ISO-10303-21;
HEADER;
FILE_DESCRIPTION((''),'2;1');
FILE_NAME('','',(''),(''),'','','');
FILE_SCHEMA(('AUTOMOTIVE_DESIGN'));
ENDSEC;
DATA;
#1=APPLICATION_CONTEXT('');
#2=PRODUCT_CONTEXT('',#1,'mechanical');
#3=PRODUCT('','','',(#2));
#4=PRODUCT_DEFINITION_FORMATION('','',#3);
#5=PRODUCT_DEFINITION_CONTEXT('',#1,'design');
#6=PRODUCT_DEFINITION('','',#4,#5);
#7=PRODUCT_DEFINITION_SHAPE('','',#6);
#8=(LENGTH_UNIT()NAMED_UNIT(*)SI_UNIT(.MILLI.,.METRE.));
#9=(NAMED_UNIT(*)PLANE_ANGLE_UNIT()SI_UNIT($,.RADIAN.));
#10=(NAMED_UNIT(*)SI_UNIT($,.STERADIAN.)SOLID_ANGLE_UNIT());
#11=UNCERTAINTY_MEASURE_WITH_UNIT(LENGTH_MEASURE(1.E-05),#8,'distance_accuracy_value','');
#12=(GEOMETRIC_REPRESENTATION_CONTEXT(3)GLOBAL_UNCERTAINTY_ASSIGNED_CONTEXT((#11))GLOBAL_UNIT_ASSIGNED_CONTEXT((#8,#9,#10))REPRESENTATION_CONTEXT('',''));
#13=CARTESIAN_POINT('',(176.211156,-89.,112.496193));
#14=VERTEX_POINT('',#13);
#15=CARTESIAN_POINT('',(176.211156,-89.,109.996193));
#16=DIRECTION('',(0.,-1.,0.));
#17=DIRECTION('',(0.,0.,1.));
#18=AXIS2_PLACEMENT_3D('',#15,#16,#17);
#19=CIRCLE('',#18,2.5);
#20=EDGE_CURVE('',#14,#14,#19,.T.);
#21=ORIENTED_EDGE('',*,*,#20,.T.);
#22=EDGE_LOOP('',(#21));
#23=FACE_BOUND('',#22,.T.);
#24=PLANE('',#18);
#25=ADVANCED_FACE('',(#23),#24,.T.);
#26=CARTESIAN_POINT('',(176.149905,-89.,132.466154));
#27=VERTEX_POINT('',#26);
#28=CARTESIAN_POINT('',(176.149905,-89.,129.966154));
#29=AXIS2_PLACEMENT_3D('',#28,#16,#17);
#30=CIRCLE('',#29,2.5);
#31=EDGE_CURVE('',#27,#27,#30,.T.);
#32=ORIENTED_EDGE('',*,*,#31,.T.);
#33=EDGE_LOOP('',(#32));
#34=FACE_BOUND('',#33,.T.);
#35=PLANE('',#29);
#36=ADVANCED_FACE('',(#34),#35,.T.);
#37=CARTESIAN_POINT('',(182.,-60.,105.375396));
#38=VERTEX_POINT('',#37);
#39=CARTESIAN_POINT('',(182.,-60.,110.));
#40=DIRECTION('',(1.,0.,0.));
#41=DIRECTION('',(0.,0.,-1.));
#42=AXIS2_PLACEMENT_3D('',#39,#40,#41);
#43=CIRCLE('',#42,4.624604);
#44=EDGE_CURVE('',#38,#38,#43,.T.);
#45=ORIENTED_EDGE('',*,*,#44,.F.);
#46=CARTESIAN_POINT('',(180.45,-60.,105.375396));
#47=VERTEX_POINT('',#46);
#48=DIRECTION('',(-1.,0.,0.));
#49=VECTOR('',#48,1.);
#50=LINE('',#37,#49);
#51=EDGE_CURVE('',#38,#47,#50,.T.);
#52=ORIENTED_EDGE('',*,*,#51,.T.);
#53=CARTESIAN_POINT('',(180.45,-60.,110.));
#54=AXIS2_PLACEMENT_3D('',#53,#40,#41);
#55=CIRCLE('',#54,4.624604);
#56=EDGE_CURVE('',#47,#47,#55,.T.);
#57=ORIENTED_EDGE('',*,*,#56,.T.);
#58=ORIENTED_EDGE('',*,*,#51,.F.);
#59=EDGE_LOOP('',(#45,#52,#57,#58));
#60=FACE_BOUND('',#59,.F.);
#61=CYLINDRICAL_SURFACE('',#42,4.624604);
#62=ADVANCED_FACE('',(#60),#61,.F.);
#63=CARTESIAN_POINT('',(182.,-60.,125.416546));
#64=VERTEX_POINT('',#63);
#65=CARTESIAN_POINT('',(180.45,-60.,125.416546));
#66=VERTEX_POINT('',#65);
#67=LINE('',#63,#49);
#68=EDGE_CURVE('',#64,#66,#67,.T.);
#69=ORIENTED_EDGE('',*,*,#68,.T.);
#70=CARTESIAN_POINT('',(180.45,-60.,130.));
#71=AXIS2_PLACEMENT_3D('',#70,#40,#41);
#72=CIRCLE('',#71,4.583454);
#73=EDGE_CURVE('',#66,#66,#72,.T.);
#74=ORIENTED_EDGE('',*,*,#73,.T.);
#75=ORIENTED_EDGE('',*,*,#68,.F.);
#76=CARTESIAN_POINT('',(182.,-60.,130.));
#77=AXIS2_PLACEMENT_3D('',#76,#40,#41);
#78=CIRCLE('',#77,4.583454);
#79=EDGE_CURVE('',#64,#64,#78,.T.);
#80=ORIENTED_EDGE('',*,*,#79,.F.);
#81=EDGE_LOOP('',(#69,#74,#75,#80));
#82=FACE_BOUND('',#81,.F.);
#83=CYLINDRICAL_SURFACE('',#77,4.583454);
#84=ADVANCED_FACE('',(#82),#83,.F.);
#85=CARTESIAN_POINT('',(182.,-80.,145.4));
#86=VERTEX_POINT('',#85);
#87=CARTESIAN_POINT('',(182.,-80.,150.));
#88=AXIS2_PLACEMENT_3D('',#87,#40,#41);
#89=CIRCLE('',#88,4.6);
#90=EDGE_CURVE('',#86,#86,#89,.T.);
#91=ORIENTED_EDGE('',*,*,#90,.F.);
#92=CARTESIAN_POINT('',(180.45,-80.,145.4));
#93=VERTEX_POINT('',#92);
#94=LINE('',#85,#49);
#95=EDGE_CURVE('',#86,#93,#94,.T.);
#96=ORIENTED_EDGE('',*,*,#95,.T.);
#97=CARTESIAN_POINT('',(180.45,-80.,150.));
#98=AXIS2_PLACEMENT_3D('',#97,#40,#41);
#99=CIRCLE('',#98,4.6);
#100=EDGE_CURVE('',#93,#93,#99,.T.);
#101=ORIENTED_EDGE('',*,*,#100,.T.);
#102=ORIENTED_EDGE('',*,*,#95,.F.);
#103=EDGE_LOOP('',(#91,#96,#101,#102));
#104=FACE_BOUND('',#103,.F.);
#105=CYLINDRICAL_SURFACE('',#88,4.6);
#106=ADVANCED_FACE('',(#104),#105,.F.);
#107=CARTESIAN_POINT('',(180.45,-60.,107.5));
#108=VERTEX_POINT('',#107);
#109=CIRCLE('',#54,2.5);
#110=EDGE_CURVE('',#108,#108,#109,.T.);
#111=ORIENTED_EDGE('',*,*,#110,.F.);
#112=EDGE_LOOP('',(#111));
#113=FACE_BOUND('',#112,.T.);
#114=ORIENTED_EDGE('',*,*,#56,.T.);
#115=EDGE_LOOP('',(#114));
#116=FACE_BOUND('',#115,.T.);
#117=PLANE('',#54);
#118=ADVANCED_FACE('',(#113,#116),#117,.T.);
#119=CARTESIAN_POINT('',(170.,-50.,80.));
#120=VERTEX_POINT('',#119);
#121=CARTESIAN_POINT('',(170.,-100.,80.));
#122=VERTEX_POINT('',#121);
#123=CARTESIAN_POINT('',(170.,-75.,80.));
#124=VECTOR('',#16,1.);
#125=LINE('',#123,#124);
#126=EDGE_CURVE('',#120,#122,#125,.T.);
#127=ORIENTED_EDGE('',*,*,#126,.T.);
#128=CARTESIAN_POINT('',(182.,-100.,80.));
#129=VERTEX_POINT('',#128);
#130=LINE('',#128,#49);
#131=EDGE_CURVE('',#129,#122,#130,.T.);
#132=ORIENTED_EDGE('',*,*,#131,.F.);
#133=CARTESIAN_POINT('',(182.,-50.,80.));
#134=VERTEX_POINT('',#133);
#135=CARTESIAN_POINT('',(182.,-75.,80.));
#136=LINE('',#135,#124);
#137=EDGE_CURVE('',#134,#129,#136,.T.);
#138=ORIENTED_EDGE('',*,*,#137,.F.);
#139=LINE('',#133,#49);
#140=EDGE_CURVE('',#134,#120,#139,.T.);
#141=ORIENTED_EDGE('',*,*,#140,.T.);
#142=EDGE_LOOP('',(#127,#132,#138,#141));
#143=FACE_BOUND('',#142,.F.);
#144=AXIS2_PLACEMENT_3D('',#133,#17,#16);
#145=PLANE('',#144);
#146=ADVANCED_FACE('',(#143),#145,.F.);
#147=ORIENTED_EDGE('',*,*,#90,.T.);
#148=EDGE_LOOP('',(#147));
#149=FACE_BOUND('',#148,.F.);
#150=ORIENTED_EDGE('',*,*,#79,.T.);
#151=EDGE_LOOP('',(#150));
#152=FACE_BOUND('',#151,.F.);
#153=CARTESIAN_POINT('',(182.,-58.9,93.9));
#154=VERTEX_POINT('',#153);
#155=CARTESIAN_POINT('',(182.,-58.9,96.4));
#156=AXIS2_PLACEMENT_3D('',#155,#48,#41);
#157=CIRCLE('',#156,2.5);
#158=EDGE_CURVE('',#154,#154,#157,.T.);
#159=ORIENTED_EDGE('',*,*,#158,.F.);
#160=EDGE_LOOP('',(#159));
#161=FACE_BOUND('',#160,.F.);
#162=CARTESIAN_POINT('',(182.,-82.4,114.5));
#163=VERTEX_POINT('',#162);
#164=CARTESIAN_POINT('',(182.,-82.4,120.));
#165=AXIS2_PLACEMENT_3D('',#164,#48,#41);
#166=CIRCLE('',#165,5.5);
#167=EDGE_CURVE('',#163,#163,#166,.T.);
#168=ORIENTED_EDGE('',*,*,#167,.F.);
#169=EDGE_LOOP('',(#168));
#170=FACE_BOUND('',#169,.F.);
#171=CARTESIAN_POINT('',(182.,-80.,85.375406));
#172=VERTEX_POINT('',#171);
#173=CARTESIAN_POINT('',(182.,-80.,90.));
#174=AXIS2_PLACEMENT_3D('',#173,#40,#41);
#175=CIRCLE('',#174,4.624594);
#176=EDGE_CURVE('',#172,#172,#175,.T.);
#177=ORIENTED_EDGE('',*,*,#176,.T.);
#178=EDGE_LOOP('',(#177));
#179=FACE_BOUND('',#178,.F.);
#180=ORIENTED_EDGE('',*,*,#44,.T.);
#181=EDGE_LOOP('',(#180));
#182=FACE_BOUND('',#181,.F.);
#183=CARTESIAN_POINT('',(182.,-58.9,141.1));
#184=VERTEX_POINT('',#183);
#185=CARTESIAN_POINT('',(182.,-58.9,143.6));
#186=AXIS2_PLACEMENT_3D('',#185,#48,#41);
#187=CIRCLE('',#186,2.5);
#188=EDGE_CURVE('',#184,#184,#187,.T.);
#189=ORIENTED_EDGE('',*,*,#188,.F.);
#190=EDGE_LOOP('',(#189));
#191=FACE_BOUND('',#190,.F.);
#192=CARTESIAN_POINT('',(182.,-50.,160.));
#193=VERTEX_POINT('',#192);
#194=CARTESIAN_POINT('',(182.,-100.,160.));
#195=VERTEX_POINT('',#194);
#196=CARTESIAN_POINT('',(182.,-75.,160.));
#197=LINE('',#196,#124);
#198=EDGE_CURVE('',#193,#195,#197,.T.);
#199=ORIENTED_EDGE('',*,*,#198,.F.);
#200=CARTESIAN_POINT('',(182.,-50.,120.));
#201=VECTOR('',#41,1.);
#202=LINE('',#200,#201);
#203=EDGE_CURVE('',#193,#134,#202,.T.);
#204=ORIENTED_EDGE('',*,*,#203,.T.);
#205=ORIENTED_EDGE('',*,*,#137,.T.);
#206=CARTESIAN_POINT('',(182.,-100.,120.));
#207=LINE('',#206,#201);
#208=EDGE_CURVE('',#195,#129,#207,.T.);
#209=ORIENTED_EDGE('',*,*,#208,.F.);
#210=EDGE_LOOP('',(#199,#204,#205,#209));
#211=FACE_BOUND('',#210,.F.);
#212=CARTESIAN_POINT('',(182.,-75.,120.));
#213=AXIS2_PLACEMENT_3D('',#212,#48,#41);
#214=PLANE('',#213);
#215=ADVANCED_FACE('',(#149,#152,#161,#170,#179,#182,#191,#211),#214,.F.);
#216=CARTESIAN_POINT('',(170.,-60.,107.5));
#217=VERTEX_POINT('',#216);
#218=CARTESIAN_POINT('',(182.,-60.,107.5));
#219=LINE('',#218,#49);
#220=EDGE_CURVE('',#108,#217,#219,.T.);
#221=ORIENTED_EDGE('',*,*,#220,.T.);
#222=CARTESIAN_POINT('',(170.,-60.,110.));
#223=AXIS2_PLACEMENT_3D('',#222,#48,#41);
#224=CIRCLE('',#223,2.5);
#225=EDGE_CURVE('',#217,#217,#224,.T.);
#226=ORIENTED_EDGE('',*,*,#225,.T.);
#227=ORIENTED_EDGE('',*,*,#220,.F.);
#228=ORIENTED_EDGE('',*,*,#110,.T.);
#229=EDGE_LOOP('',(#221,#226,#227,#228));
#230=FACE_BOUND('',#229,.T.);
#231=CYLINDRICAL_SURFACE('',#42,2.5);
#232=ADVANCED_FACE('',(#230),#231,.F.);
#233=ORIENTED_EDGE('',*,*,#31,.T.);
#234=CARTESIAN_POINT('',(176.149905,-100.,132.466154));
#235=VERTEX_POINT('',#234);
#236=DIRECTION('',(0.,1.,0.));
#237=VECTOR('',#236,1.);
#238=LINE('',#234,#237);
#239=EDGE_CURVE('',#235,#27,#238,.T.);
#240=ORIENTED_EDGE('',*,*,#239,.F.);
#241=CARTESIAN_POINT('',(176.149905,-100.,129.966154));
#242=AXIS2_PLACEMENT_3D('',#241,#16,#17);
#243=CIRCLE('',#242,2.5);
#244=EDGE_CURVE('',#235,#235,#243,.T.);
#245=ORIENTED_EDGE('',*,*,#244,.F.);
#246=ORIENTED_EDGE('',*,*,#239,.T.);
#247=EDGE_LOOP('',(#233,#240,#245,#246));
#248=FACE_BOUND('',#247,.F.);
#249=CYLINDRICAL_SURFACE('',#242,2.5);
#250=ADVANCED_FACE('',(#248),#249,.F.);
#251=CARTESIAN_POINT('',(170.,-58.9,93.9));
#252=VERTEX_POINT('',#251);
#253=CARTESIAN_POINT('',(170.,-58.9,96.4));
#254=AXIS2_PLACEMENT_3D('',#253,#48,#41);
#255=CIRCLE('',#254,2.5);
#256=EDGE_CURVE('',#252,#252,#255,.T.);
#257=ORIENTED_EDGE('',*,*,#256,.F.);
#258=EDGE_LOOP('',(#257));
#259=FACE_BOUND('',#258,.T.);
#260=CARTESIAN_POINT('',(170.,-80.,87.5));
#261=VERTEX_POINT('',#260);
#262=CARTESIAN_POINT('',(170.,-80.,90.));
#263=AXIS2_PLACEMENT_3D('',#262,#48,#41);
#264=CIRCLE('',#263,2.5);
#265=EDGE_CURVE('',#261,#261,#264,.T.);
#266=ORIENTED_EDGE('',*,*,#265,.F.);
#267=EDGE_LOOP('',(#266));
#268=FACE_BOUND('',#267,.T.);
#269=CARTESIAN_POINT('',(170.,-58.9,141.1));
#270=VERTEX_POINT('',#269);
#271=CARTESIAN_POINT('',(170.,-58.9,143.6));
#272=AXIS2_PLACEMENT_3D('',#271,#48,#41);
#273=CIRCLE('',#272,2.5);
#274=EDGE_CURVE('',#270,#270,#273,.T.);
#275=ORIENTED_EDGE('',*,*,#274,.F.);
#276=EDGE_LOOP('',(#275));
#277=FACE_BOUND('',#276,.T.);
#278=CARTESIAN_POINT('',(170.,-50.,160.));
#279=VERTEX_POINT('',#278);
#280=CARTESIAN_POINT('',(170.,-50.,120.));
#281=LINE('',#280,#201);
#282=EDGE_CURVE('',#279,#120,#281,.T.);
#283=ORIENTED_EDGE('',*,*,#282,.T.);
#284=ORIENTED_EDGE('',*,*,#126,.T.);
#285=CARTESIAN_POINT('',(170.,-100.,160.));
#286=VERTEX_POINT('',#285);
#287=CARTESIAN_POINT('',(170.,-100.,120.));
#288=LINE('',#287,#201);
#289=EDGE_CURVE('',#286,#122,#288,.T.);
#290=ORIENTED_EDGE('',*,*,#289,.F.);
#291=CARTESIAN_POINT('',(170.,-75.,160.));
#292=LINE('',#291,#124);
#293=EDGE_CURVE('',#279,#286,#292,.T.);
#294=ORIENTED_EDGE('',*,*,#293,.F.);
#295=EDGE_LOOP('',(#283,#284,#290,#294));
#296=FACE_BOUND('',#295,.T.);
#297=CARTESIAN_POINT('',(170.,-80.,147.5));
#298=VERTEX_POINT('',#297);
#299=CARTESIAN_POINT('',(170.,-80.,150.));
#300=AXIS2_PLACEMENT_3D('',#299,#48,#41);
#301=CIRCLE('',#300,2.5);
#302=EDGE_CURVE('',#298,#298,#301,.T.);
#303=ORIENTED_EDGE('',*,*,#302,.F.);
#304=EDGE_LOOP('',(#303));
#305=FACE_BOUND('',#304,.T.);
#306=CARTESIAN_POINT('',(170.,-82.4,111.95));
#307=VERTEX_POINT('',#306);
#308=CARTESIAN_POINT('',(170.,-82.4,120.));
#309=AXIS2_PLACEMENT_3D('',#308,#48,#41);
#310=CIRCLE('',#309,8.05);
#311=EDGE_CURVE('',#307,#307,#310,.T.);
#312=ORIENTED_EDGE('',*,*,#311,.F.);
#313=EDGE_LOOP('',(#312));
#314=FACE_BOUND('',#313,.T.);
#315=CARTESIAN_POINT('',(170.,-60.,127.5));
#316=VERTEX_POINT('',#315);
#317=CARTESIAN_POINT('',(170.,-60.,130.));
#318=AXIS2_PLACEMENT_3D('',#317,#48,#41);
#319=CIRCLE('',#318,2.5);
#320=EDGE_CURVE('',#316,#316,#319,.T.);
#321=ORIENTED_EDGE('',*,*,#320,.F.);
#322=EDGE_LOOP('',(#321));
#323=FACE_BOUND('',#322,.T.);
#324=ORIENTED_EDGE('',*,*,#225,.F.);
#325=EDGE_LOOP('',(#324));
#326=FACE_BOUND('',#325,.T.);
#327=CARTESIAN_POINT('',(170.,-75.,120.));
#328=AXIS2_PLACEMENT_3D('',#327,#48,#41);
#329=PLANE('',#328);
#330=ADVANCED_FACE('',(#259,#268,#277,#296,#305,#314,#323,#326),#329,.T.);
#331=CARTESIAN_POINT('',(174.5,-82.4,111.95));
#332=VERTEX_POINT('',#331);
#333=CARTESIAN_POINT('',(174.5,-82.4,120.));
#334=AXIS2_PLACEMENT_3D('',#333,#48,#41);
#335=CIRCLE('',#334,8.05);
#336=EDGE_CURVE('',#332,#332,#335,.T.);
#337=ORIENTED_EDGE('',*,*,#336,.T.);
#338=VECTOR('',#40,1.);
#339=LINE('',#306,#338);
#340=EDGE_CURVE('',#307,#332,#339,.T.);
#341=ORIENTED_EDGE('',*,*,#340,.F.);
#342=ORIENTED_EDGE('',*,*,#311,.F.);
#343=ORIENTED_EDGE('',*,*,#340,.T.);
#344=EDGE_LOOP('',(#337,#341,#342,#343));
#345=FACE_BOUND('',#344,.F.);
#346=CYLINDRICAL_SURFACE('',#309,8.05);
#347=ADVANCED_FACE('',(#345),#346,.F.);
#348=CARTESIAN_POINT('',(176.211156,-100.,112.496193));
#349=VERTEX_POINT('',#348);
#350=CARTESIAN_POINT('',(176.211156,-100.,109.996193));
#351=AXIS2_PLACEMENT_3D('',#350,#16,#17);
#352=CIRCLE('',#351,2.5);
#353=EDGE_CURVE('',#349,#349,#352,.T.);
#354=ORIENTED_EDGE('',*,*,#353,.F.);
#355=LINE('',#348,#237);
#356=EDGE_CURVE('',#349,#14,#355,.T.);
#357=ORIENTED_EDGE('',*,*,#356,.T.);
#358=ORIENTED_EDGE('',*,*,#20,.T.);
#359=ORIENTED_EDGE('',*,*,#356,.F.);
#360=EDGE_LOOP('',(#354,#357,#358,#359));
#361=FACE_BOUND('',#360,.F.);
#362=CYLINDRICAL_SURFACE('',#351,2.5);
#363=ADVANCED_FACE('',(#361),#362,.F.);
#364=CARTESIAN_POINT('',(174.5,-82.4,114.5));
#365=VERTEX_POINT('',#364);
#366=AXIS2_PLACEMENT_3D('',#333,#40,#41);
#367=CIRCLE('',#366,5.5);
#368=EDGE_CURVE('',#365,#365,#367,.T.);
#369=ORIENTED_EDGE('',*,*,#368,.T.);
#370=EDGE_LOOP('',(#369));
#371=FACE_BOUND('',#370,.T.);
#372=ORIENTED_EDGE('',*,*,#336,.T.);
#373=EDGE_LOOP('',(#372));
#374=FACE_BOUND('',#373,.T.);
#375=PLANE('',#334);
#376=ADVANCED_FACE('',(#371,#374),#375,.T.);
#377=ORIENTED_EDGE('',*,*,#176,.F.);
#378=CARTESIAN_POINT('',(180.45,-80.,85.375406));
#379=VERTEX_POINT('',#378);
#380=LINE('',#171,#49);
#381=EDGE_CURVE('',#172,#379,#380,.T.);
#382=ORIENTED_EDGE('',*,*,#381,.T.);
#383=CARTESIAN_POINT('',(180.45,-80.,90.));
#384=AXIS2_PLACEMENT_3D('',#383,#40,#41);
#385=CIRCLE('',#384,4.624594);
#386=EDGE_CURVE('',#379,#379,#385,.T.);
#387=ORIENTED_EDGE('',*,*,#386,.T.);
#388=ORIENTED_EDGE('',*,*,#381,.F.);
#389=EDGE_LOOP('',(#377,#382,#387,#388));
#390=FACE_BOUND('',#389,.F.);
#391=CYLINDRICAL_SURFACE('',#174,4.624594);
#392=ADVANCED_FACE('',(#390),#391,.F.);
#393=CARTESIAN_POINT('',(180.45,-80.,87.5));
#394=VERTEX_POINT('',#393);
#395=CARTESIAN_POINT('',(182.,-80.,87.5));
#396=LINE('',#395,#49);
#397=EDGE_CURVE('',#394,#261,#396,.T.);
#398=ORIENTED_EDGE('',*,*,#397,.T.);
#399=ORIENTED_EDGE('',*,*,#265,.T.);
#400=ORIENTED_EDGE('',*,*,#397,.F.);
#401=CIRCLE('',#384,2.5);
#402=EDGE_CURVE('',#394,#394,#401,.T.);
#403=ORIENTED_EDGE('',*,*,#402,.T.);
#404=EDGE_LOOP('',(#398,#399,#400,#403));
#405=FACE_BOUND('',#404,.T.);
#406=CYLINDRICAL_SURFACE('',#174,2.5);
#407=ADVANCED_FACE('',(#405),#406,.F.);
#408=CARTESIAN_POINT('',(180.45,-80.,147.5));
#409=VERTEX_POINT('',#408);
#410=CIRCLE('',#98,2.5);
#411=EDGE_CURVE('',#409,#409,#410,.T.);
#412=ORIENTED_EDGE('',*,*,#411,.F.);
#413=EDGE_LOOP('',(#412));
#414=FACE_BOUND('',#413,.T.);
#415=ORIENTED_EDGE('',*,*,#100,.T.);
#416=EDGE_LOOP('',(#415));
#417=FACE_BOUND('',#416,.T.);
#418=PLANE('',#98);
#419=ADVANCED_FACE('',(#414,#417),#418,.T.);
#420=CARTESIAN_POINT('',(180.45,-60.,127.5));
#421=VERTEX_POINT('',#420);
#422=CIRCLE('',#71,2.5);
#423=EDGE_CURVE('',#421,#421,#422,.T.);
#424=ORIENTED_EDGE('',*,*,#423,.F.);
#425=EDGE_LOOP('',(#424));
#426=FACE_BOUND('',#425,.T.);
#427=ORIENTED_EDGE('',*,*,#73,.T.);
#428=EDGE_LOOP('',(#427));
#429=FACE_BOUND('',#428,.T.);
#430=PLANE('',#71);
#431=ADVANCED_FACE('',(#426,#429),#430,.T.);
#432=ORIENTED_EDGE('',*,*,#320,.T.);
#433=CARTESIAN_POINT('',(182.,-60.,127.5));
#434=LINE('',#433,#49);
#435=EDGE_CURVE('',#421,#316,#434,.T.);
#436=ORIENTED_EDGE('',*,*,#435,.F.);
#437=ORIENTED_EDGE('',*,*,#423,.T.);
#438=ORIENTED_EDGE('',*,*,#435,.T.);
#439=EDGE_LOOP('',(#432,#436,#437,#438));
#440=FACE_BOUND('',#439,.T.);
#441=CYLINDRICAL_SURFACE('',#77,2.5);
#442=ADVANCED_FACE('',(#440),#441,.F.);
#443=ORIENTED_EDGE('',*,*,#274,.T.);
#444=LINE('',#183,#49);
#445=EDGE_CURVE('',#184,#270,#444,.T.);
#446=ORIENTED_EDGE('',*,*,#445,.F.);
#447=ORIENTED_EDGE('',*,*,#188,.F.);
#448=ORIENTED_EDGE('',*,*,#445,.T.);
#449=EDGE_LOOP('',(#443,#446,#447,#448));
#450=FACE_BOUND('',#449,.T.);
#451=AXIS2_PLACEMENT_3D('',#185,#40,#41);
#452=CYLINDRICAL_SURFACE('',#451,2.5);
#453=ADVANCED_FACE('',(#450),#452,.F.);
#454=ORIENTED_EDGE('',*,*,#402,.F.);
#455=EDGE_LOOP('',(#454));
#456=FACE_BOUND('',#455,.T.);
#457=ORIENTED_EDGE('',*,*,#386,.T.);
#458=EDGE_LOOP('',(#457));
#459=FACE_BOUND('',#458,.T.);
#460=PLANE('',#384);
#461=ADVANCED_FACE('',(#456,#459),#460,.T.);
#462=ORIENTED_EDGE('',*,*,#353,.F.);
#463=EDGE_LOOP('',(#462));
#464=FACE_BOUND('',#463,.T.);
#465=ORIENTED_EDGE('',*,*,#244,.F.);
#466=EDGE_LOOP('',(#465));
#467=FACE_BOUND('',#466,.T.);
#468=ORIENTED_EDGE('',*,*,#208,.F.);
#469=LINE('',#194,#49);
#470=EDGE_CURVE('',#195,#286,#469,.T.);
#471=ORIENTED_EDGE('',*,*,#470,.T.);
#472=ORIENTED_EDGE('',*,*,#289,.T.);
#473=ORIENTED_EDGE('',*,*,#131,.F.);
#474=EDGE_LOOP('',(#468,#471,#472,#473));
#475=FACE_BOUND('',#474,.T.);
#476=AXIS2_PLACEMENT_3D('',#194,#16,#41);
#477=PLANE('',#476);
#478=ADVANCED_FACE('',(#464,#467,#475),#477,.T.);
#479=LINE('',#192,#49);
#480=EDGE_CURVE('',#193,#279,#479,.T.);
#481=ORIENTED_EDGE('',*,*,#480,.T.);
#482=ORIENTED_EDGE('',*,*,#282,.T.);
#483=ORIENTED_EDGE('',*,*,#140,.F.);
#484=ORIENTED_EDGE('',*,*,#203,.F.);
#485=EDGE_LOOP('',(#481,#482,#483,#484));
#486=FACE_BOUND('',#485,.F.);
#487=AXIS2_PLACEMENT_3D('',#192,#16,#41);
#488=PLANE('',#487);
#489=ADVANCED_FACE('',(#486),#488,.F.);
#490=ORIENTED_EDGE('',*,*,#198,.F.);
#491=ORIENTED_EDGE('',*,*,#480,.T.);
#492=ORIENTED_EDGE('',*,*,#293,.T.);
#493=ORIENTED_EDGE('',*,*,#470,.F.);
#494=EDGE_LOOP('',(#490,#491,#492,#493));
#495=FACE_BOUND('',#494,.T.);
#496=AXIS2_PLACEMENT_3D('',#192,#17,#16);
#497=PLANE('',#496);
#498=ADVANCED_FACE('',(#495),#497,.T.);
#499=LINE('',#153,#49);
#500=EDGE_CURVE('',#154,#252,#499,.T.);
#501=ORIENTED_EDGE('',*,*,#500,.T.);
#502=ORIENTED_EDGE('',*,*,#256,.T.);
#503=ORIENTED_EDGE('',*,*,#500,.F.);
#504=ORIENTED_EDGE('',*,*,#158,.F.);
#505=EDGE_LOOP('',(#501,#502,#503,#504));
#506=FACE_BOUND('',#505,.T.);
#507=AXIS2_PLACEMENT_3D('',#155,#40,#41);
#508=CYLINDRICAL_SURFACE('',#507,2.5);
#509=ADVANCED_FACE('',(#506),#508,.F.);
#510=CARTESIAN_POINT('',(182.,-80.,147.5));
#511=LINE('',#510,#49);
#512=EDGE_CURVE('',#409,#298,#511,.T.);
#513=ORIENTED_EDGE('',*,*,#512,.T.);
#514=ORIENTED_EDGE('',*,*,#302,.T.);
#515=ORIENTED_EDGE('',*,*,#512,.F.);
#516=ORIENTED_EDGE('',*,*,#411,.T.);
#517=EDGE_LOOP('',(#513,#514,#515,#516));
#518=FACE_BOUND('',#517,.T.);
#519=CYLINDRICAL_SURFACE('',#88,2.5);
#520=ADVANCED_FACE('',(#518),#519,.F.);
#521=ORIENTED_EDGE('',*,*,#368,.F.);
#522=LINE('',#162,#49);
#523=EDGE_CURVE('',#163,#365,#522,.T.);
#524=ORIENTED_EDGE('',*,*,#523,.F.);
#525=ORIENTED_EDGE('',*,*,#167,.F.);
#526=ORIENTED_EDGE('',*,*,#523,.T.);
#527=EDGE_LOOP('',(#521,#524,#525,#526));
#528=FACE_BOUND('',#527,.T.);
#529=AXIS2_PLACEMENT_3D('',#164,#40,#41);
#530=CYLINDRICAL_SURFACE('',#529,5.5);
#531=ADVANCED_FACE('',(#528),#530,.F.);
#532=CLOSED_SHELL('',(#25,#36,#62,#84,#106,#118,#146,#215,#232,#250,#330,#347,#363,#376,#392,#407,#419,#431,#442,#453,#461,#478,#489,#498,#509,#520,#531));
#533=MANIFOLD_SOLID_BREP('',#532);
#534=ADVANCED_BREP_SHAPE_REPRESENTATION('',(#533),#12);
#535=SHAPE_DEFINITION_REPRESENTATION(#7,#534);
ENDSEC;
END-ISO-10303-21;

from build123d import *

# Parameters (mm, degrees)
SKETCH014_W     = 80
SKETCH014_H     = 50
SKETCH014_R     = 2.5
SKETCH014_R_2   = 5.5
PAD003_DEPTH    = 12
SKETCH015_R     = 2.5
POCKET009_DEPTH = 11
SKETCH016_R     = 8.05
POCKET010_DEPTH = 4.5
SKETCH017_R     = 4.6
SKETCH017_R_2   = 4.624594
SKETCH017_R_3   = 4.583454
SKETCH017_R_4   = 4.624604
POCKET011_DEPTH = 1.55


with BuildPart() as part:
    # Sketch014 → Pad003 (new body)
    with BuildSketch(Plane(origin=(182, -50, 160), x_dir=(0, 0, -1), z_dir=(-1, 0, 0))):
        with Locations((40, 25)):
            Rectangle(SKETCH014_W, SKETCH014_H)
        with Locations((10, 30)):
            Circle(SKETCH014_R, mode=Mode.SUBTRACT)
        with Locations((30, 10)):
            Circle(SKETCH014_R, mode=Mode.SUBTRACT)
        with Locations((16.4, 8.9)):
            Circle(SKETCH014_R, mode=Mode.SUBTRACT)
        with Locations((50, 10)):
            Circle(SKETCH014_R, mode=Mode.SUBTRACT)
        with Locations((63.6, 8.9)):
            Circle(SKETCH014_R, mode=Mode.SUBTRACT)
        with Locations((70, 30)):
            Circle(SKETCH014_R, mode=Mode.SUBTRACT)
        with Locations((40, 32.4)):
            Circle(SKETCH014_R_2, mode=Mode.SUBTRACT)
    extrude(amount=PAD003_DEPTH)

    # Sketch015 → Pocket009 (cut)
    with BuildSketch(Plane(origin=(182, -100, 160), x_dir=(0, 0, 1), z_dir=(0, -1, 0))):
        with Locations((-30.033846, 5.850095)):
            Circle(SKETCH015_R)
        with Locations((-50.003807, 5.788844)):
            Circle(SKETCH015_R)
    extrude(amount=-POCKET009_DEPTH, mode=Mode.SUBTRACT)

    # Sketch016 → Pocket010 (cut)
    with BuildSketch(Plane(origin=(170, -50, 160), x_dir=(0, 0, -1), z_dir=(-1, 0, 0))):
        with Locations((40, 32.4)):
            Circle(SKETCH016_R)
    extrude(amount=-POCKET010_DEPTH, mode=Mode.SUBTRACT)

    # Sketch017 → Pocket011 (cut)
    with BuildSketch(Plane(origin=(182, -50, 160), x_dir=(0, 0, -1), z_dir=(1, 0, 0))):
        with Locations((10, -30)):
            Circle(SKETCH017_R)
        with Locations((70, -30)):
            Circle(SKETCH017_R_2)
        with Locations((30, -10)):
            Circle(SKETCH017_R_3)
        with Locations((50, -10)):
            Circle(SKETCH017_R_4)
    extrude(amount=-POCKET011_DEPTH, mode=Mode.SUBTRACT)


solid = part.part
